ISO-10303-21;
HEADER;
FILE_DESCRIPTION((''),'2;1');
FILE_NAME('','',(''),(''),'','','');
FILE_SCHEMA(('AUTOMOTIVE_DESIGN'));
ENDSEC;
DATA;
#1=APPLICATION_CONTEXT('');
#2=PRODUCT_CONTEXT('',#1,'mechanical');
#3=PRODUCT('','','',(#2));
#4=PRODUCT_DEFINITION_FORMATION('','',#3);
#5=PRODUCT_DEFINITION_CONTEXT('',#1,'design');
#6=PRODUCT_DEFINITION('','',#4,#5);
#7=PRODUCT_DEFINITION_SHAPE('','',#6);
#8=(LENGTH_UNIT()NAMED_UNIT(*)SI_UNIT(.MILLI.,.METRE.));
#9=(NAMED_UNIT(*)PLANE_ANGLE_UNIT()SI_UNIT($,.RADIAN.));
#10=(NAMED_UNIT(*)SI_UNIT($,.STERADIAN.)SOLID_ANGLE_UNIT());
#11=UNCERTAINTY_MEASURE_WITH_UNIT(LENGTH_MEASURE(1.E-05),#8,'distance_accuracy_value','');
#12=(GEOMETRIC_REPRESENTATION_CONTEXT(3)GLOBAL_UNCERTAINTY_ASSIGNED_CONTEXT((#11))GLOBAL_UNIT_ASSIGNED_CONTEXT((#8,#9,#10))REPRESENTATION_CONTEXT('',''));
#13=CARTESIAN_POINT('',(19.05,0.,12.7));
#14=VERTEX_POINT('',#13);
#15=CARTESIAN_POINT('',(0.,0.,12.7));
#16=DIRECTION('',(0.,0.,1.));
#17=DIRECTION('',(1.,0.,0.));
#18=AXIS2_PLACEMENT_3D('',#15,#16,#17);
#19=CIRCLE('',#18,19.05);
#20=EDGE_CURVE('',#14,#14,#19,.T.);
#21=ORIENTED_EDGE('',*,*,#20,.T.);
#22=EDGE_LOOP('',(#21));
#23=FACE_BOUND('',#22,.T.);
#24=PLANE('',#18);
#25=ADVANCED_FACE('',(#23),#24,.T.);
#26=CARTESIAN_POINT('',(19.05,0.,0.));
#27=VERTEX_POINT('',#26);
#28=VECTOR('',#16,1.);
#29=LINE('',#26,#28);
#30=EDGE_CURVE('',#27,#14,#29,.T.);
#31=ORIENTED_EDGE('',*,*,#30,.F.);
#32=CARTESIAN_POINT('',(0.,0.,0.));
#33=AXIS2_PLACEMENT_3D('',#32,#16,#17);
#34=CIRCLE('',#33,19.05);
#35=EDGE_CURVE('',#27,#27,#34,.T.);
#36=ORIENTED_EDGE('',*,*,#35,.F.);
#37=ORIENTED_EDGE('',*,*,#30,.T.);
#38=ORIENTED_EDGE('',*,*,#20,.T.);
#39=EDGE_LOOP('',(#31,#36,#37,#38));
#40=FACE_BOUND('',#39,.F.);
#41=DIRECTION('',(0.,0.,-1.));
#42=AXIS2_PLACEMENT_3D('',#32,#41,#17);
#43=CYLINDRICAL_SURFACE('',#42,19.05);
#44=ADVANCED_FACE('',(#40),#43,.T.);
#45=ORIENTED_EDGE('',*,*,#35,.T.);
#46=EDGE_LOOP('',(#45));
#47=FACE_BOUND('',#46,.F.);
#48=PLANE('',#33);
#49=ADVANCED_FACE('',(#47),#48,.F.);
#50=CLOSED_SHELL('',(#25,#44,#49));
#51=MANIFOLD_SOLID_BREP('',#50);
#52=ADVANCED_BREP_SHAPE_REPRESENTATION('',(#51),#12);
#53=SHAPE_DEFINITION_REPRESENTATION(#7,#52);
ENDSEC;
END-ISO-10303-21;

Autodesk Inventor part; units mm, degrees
ref_plane "YZ Plane" through (0, 0, 0) normal (1, 0, 0) x (0, 1, 0)
ref_plane "XZ Plane" through (0, 0, 0) normal (0, 1, 0) x (-1, 0, 0)
ref_plane "XY Plane" through (0, 0, 0) normal (0, 0, 1) x (1, 0, 0)
sketch "Sketch1" plane through (0, 0, 0) normal (0, 0, 1) x (1, 0, 0)
  circle A0 centre (0, 0) radius 19.05
  dimension "d0" = 38.1
extrude "Extrusion1" add sketch "Sketch1" along normal blind 12.7
properties part number "Temp - Wheel"
